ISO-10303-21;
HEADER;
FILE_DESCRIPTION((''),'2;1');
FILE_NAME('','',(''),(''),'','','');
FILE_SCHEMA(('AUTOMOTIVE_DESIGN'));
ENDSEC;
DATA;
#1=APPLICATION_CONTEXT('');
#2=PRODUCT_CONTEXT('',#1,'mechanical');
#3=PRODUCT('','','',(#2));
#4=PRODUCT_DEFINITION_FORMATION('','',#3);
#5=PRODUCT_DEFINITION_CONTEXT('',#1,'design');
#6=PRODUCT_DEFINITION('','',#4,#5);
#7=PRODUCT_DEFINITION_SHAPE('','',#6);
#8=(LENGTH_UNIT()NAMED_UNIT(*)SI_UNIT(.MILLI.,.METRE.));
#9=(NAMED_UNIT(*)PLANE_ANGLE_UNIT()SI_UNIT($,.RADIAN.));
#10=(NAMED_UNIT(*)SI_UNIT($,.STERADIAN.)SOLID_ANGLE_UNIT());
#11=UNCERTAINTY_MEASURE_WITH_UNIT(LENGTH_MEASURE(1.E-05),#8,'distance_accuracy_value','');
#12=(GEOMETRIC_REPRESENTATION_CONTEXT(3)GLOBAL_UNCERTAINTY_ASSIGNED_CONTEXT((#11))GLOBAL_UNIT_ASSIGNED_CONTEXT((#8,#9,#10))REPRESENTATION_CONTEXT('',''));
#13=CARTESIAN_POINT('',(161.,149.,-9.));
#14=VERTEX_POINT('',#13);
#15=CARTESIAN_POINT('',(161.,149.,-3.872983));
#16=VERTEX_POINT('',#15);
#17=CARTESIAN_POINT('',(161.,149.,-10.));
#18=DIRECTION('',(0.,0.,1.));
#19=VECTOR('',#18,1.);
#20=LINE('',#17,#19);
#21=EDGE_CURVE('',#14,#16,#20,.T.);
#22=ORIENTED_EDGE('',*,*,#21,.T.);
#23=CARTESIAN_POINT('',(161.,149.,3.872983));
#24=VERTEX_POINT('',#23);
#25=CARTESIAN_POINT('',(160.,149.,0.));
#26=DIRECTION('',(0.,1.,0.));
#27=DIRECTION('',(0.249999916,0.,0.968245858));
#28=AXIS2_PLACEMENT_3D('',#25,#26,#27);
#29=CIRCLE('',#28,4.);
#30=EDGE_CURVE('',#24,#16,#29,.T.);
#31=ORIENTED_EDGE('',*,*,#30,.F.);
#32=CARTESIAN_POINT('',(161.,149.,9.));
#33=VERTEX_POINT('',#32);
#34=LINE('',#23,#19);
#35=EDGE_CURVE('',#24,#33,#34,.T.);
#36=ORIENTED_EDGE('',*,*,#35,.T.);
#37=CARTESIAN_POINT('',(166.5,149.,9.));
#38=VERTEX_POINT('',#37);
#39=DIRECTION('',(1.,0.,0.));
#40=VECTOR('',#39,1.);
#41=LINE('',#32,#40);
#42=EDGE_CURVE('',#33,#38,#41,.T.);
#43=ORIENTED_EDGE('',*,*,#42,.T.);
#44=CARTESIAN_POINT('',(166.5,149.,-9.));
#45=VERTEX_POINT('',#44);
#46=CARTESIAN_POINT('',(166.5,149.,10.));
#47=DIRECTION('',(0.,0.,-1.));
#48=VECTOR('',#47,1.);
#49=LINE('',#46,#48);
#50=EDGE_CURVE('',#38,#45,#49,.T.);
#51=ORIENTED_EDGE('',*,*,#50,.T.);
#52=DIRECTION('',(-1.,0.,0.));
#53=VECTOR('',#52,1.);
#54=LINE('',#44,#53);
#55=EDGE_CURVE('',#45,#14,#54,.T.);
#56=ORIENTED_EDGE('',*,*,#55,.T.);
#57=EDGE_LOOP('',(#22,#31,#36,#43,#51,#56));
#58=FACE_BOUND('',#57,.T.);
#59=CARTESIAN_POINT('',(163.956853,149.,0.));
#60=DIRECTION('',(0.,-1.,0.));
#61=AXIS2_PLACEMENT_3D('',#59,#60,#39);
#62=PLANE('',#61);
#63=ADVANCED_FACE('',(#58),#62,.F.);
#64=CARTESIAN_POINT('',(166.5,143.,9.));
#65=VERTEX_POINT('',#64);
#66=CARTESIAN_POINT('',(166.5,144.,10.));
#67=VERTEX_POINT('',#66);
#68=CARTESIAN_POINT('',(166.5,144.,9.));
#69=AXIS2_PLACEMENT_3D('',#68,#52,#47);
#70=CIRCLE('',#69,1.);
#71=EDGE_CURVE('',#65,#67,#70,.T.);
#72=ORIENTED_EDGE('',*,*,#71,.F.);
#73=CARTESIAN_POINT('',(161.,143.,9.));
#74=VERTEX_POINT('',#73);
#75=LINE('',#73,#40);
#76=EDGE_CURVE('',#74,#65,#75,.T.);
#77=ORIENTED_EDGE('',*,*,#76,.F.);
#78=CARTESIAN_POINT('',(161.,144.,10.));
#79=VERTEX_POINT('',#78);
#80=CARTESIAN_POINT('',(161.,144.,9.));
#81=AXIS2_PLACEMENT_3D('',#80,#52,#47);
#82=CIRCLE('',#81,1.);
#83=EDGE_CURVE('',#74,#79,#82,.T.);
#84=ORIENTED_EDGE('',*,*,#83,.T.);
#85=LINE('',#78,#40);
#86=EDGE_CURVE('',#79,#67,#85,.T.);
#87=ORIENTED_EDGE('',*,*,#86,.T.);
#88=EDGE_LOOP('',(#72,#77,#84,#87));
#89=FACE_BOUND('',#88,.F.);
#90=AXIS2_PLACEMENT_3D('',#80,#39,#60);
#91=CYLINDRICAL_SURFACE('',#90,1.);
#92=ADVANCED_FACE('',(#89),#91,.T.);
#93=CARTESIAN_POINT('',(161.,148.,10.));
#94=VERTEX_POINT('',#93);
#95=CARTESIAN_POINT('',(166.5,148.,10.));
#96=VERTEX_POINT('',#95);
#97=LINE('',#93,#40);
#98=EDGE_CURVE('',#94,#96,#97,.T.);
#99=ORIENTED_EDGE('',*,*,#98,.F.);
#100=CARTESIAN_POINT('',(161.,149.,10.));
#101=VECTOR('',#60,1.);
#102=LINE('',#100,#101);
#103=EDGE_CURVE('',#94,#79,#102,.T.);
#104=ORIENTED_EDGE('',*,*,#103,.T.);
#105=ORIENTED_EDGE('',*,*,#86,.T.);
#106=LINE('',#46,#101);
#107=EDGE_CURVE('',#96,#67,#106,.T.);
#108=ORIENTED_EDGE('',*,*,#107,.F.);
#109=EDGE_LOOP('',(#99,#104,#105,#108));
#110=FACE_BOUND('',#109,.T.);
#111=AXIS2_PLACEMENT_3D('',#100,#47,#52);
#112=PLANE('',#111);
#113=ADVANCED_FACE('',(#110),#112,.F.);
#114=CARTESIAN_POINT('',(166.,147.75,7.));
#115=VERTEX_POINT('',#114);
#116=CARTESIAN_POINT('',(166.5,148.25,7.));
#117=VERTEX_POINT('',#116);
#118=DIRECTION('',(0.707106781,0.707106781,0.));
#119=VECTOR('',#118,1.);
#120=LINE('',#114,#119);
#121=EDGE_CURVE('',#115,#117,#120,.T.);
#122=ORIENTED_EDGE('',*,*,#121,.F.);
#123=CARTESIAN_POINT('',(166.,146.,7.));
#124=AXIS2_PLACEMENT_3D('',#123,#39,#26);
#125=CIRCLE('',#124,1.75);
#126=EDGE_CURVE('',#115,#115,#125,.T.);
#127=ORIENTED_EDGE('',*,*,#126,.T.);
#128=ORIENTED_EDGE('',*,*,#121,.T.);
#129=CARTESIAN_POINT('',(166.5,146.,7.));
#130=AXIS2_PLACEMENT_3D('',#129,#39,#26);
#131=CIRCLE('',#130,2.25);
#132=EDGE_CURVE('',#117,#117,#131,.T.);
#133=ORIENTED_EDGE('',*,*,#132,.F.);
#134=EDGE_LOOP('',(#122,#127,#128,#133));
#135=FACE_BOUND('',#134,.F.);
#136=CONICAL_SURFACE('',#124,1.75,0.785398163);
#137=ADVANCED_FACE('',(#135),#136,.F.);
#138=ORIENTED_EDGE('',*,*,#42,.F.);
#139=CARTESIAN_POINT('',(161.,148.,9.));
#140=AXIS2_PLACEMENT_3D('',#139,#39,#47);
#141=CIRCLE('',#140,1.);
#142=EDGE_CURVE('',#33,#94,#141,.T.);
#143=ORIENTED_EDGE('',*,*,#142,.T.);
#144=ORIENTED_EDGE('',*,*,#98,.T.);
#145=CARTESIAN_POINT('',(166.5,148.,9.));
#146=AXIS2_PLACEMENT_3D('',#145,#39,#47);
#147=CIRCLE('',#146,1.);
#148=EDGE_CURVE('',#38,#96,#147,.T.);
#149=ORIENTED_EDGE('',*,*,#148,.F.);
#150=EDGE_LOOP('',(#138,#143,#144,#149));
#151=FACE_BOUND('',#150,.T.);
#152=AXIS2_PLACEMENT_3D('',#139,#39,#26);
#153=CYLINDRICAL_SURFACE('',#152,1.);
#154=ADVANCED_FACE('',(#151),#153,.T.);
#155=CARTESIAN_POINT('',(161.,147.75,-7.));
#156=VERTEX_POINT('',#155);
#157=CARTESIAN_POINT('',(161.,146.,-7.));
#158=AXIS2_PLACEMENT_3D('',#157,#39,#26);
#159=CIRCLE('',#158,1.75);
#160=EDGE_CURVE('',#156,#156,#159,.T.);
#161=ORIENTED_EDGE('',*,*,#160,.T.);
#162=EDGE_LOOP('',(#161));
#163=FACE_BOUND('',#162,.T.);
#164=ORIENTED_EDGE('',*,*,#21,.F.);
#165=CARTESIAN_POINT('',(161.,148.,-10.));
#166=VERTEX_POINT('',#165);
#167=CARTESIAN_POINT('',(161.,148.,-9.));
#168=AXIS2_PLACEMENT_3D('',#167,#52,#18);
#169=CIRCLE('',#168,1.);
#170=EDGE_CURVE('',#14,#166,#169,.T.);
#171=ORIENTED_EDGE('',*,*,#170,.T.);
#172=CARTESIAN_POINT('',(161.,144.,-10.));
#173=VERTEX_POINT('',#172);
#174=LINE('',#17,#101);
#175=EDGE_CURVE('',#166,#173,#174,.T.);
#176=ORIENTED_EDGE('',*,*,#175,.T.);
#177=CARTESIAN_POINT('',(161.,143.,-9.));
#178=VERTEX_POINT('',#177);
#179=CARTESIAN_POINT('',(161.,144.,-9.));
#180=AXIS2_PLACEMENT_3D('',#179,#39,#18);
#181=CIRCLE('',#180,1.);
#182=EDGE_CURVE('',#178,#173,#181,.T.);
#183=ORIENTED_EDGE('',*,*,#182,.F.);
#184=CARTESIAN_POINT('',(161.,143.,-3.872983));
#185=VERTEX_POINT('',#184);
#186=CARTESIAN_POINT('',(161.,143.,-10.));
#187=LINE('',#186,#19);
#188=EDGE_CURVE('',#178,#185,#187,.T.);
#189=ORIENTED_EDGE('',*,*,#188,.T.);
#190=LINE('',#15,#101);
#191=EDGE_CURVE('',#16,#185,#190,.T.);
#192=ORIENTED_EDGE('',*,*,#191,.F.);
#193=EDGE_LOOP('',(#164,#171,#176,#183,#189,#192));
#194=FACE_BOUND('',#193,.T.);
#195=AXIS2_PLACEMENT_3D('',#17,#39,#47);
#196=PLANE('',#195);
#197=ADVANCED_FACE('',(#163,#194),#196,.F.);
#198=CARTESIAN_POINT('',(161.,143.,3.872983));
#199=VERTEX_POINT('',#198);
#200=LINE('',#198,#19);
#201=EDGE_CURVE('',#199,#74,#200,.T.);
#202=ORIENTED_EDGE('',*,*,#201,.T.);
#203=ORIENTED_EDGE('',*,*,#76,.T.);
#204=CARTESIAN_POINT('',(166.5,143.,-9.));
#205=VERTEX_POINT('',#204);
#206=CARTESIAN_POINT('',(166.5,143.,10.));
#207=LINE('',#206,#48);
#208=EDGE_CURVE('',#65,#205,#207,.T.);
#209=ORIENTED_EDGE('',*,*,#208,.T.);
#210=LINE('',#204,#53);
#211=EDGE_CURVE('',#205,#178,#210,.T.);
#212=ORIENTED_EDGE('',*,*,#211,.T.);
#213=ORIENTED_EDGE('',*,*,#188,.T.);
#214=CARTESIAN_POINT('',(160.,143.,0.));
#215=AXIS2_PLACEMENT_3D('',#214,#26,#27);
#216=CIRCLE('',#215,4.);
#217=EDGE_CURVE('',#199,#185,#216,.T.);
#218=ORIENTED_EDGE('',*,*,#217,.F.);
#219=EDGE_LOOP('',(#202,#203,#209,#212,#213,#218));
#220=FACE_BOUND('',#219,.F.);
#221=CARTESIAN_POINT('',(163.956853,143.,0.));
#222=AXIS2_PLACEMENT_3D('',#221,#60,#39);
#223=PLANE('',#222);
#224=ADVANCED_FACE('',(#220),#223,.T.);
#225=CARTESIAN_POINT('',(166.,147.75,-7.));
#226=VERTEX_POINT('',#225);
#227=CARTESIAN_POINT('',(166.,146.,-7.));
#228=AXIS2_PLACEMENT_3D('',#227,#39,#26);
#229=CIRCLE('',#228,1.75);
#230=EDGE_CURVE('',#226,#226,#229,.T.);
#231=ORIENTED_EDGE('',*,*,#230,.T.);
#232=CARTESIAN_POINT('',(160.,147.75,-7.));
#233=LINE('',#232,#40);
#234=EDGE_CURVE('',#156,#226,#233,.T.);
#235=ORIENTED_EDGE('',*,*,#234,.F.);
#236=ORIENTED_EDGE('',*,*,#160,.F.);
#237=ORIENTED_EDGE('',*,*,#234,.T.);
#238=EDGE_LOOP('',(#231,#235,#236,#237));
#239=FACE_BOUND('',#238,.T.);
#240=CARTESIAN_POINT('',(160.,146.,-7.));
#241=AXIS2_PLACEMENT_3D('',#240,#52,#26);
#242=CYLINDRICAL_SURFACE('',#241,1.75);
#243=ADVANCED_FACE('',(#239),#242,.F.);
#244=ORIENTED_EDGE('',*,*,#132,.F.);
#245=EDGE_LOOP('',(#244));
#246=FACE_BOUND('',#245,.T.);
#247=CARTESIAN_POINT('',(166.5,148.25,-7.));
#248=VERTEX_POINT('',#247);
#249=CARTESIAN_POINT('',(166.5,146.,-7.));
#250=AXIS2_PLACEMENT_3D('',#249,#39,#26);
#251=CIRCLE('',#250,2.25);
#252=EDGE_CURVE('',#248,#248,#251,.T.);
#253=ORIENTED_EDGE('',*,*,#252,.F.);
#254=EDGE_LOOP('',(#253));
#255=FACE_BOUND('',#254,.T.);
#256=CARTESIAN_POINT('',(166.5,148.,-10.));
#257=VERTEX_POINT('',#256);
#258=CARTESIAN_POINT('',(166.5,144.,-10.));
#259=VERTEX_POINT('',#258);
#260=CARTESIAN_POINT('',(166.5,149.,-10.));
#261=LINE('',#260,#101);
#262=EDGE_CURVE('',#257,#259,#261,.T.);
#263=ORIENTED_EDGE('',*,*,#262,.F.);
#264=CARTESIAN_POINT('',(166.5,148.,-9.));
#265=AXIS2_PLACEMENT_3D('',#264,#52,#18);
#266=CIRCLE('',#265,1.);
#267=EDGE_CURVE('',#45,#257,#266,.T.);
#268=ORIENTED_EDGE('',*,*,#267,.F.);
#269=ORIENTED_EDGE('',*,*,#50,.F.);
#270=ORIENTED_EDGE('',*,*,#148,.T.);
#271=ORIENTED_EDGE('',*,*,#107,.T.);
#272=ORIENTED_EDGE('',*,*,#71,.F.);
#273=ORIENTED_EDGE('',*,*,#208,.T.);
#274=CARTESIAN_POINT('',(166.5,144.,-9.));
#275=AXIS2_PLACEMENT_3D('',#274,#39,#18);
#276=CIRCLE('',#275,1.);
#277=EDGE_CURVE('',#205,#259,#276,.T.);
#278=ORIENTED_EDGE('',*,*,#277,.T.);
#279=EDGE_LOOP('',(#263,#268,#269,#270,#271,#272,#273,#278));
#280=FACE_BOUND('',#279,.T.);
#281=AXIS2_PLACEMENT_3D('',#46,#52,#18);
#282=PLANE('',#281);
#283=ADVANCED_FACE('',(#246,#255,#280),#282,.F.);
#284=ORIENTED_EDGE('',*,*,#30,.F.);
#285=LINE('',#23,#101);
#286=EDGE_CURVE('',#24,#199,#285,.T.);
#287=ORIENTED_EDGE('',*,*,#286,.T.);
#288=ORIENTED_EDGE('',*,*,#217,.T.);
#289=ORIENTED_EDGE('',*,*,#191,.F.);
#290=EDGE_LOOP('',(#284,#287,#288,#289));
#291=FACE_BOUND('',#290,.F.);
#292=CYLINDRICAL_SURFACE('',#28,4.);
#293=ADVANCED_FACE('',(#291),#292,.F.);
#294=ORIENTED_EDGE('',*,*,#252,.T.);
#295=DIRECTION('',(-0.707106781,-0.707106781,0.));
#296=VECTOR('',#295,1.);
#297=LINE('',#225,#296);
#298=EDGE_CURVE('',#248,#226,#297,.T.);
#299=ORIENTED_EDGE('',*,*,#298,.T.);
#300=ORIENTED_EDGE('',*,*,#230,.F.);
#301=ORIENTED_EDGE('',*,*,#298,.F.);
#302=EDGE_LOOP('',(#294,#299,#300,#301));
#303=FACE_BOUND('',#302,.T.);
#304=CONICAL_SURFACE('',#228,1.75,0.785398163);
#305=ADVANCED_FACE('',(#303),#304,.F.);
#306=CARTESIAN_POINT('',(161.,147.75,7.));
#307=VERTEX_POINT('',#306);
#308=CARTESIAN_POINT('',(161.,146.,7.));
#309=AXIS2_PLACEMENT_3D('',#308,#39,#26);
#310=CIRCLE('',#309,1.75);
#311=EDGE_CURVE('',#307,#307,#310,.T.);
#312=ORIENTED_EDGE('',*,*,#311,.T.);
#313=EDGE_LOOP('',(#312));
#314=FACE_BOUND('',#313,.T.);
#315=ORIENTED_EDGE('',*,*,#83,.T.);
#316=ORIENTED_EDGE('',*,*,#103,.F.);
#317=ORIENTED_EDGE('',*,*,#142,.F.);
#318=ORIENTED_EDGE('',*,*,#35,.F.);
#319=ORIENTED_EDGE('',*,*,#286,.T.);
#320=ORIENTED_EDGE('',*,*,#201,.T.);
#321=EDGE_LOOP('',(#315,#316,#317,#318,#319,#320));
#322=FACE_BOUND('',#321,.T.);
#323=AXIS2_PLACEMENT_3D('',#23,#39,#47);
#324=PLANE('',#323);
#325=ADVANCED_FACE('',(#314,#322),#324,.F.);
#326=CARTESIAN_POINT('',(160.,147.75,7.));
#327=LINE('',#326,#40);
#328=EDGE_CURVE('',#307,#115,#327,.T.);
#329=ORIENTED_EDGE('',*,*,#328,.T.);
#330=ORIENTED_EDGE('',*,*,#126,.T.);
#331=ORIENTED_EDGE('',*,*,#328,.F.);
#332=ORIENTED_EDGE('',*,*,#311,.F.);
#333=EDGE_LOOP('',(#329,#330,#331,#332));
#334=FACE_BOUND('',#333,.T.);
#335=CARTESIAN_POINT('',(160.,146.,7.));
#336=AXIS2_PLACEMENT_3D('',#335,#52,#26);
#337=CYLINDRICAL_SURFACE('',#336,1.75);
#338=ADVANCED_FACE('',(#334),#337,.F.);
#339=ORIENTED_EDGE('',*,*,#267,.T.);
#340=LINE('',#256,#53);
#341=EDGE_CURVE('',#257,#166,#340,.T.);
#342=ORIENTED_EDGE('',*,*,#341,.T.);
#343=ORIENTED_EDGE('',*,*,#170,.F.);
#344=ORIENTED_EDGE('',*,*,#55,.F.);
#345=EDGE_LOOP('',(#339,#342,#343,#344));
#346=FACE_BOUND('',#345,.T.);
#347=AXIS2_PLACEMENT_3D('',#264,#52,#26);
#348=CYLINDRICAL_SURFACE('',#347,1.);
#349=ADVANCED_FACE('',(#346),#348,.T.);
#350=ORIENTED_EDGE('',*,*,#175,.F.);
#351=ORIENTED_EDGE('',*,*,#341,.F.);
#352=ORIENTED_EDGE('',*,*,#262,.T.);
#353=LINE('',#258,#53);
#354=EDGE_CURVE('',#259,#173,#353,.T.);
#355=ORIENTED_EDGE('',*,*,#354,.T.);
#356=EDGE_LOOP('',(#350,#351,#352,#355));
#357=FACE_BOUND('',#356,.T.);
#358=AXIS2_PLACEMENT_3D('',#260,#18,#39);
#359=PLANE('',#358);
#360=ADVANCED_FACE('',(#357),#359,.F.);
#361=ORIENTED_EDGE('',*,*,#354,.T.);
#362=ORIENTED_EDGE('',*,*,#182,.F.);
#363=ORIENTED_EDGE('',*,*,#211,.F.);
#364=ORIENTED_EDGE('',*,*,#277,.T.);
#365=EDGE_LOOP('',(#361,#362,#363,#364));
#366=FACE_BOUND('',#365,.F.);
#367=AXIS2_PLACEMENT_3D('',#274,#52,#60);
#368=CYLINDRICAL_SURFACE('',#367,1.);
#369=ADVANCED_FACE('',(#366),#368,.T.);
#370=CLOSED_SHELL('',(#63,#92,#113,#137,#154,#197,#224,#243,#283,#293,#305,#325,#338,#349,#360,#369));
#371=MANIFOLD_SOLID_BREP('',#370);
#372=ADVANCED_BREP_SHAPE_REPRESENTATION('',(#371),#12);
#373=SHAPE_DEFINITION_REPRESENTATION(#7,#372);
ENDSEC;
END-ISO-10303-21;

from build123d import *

# Parameters (mm, degrees)
PAD137_DEPTH    = 6
SKETCH639_R     = 1.75
POCKET460_DEPTH = 6.501
CHAMFER026_SIZE = 0.5
FILLET025_R     = 1


with BuildPart() as xy_rod_clamp_left:
    # Sketch638 → Pad137 (new body)
    with BuildSketch(Plane.XZ.offset(1)):
        with BuildLine():
            Line((-1, 3.872983), (-1, 10))
            Line((-1, 10), (-6.5, 10))
            Line((-6.5, 10), (-6.5, -10))
            Line((-6.5, -10), (-1, -10))
            Line((-1, -10), (-1, -3.872983))
            ThreePointArc((-1, 3.872983), (-4, 0), (-1, -3.872983))
        make_face()
    extrude(amount=PAD137_DEPTH)

    # Sketch639 → Pocket460 (cut, through all)
    with BuildSketch(Plane.YZ):
        with Locations((-4, 7)):
            Circle(SKETCH639_R)
        with Locations((-4, -7)):
            Circle(SKETCH639_R)
    extrude(amount=-POCKET460_DEPTH, mode=Mode.SUBTRACT)

    # Chamfer026
    chamfer026_edges = [xy_rod_clamp_left.edges().sort_by_distance(p)[0] for p in [
        (-6.5, -5.75, 7),
        (-6.5, -5.75, -7),
    ]]
    chamfer(chamfer026_edges, length=CHAMFER026_SIZE)

    # Fillet025
    fillet025_edges = [xy_rod_clamp_left.edges().sort_by_distance(p)[0] for p in [
        (-3.75, -7, 10),
        (-3.75, -1, 10),
        (-3.75, -1, -10),
        (-3.75, -7, -10),
    ]]
    fillet(fillet025_edges, radius=FILLET025_R)


with BuildPart() as xy_rod_clamp_left_1:
    # Body201 placement: moved
    add(xy_rod_clamp_left.part.moved(Location((-160, 150, 0))))


with BuildPart() as xy_rod_clamp_right:
    # Part__Mirroring096: instance of xy-rod-clamp-left
    add(xy_rod_clamp_left_1.part.mirror(Plane(origin=(0, 0, 0), x_dir=(0, -1, 0), z_dir=(1, 0, 0))))


solid = xy_rod_clamp_right.part
